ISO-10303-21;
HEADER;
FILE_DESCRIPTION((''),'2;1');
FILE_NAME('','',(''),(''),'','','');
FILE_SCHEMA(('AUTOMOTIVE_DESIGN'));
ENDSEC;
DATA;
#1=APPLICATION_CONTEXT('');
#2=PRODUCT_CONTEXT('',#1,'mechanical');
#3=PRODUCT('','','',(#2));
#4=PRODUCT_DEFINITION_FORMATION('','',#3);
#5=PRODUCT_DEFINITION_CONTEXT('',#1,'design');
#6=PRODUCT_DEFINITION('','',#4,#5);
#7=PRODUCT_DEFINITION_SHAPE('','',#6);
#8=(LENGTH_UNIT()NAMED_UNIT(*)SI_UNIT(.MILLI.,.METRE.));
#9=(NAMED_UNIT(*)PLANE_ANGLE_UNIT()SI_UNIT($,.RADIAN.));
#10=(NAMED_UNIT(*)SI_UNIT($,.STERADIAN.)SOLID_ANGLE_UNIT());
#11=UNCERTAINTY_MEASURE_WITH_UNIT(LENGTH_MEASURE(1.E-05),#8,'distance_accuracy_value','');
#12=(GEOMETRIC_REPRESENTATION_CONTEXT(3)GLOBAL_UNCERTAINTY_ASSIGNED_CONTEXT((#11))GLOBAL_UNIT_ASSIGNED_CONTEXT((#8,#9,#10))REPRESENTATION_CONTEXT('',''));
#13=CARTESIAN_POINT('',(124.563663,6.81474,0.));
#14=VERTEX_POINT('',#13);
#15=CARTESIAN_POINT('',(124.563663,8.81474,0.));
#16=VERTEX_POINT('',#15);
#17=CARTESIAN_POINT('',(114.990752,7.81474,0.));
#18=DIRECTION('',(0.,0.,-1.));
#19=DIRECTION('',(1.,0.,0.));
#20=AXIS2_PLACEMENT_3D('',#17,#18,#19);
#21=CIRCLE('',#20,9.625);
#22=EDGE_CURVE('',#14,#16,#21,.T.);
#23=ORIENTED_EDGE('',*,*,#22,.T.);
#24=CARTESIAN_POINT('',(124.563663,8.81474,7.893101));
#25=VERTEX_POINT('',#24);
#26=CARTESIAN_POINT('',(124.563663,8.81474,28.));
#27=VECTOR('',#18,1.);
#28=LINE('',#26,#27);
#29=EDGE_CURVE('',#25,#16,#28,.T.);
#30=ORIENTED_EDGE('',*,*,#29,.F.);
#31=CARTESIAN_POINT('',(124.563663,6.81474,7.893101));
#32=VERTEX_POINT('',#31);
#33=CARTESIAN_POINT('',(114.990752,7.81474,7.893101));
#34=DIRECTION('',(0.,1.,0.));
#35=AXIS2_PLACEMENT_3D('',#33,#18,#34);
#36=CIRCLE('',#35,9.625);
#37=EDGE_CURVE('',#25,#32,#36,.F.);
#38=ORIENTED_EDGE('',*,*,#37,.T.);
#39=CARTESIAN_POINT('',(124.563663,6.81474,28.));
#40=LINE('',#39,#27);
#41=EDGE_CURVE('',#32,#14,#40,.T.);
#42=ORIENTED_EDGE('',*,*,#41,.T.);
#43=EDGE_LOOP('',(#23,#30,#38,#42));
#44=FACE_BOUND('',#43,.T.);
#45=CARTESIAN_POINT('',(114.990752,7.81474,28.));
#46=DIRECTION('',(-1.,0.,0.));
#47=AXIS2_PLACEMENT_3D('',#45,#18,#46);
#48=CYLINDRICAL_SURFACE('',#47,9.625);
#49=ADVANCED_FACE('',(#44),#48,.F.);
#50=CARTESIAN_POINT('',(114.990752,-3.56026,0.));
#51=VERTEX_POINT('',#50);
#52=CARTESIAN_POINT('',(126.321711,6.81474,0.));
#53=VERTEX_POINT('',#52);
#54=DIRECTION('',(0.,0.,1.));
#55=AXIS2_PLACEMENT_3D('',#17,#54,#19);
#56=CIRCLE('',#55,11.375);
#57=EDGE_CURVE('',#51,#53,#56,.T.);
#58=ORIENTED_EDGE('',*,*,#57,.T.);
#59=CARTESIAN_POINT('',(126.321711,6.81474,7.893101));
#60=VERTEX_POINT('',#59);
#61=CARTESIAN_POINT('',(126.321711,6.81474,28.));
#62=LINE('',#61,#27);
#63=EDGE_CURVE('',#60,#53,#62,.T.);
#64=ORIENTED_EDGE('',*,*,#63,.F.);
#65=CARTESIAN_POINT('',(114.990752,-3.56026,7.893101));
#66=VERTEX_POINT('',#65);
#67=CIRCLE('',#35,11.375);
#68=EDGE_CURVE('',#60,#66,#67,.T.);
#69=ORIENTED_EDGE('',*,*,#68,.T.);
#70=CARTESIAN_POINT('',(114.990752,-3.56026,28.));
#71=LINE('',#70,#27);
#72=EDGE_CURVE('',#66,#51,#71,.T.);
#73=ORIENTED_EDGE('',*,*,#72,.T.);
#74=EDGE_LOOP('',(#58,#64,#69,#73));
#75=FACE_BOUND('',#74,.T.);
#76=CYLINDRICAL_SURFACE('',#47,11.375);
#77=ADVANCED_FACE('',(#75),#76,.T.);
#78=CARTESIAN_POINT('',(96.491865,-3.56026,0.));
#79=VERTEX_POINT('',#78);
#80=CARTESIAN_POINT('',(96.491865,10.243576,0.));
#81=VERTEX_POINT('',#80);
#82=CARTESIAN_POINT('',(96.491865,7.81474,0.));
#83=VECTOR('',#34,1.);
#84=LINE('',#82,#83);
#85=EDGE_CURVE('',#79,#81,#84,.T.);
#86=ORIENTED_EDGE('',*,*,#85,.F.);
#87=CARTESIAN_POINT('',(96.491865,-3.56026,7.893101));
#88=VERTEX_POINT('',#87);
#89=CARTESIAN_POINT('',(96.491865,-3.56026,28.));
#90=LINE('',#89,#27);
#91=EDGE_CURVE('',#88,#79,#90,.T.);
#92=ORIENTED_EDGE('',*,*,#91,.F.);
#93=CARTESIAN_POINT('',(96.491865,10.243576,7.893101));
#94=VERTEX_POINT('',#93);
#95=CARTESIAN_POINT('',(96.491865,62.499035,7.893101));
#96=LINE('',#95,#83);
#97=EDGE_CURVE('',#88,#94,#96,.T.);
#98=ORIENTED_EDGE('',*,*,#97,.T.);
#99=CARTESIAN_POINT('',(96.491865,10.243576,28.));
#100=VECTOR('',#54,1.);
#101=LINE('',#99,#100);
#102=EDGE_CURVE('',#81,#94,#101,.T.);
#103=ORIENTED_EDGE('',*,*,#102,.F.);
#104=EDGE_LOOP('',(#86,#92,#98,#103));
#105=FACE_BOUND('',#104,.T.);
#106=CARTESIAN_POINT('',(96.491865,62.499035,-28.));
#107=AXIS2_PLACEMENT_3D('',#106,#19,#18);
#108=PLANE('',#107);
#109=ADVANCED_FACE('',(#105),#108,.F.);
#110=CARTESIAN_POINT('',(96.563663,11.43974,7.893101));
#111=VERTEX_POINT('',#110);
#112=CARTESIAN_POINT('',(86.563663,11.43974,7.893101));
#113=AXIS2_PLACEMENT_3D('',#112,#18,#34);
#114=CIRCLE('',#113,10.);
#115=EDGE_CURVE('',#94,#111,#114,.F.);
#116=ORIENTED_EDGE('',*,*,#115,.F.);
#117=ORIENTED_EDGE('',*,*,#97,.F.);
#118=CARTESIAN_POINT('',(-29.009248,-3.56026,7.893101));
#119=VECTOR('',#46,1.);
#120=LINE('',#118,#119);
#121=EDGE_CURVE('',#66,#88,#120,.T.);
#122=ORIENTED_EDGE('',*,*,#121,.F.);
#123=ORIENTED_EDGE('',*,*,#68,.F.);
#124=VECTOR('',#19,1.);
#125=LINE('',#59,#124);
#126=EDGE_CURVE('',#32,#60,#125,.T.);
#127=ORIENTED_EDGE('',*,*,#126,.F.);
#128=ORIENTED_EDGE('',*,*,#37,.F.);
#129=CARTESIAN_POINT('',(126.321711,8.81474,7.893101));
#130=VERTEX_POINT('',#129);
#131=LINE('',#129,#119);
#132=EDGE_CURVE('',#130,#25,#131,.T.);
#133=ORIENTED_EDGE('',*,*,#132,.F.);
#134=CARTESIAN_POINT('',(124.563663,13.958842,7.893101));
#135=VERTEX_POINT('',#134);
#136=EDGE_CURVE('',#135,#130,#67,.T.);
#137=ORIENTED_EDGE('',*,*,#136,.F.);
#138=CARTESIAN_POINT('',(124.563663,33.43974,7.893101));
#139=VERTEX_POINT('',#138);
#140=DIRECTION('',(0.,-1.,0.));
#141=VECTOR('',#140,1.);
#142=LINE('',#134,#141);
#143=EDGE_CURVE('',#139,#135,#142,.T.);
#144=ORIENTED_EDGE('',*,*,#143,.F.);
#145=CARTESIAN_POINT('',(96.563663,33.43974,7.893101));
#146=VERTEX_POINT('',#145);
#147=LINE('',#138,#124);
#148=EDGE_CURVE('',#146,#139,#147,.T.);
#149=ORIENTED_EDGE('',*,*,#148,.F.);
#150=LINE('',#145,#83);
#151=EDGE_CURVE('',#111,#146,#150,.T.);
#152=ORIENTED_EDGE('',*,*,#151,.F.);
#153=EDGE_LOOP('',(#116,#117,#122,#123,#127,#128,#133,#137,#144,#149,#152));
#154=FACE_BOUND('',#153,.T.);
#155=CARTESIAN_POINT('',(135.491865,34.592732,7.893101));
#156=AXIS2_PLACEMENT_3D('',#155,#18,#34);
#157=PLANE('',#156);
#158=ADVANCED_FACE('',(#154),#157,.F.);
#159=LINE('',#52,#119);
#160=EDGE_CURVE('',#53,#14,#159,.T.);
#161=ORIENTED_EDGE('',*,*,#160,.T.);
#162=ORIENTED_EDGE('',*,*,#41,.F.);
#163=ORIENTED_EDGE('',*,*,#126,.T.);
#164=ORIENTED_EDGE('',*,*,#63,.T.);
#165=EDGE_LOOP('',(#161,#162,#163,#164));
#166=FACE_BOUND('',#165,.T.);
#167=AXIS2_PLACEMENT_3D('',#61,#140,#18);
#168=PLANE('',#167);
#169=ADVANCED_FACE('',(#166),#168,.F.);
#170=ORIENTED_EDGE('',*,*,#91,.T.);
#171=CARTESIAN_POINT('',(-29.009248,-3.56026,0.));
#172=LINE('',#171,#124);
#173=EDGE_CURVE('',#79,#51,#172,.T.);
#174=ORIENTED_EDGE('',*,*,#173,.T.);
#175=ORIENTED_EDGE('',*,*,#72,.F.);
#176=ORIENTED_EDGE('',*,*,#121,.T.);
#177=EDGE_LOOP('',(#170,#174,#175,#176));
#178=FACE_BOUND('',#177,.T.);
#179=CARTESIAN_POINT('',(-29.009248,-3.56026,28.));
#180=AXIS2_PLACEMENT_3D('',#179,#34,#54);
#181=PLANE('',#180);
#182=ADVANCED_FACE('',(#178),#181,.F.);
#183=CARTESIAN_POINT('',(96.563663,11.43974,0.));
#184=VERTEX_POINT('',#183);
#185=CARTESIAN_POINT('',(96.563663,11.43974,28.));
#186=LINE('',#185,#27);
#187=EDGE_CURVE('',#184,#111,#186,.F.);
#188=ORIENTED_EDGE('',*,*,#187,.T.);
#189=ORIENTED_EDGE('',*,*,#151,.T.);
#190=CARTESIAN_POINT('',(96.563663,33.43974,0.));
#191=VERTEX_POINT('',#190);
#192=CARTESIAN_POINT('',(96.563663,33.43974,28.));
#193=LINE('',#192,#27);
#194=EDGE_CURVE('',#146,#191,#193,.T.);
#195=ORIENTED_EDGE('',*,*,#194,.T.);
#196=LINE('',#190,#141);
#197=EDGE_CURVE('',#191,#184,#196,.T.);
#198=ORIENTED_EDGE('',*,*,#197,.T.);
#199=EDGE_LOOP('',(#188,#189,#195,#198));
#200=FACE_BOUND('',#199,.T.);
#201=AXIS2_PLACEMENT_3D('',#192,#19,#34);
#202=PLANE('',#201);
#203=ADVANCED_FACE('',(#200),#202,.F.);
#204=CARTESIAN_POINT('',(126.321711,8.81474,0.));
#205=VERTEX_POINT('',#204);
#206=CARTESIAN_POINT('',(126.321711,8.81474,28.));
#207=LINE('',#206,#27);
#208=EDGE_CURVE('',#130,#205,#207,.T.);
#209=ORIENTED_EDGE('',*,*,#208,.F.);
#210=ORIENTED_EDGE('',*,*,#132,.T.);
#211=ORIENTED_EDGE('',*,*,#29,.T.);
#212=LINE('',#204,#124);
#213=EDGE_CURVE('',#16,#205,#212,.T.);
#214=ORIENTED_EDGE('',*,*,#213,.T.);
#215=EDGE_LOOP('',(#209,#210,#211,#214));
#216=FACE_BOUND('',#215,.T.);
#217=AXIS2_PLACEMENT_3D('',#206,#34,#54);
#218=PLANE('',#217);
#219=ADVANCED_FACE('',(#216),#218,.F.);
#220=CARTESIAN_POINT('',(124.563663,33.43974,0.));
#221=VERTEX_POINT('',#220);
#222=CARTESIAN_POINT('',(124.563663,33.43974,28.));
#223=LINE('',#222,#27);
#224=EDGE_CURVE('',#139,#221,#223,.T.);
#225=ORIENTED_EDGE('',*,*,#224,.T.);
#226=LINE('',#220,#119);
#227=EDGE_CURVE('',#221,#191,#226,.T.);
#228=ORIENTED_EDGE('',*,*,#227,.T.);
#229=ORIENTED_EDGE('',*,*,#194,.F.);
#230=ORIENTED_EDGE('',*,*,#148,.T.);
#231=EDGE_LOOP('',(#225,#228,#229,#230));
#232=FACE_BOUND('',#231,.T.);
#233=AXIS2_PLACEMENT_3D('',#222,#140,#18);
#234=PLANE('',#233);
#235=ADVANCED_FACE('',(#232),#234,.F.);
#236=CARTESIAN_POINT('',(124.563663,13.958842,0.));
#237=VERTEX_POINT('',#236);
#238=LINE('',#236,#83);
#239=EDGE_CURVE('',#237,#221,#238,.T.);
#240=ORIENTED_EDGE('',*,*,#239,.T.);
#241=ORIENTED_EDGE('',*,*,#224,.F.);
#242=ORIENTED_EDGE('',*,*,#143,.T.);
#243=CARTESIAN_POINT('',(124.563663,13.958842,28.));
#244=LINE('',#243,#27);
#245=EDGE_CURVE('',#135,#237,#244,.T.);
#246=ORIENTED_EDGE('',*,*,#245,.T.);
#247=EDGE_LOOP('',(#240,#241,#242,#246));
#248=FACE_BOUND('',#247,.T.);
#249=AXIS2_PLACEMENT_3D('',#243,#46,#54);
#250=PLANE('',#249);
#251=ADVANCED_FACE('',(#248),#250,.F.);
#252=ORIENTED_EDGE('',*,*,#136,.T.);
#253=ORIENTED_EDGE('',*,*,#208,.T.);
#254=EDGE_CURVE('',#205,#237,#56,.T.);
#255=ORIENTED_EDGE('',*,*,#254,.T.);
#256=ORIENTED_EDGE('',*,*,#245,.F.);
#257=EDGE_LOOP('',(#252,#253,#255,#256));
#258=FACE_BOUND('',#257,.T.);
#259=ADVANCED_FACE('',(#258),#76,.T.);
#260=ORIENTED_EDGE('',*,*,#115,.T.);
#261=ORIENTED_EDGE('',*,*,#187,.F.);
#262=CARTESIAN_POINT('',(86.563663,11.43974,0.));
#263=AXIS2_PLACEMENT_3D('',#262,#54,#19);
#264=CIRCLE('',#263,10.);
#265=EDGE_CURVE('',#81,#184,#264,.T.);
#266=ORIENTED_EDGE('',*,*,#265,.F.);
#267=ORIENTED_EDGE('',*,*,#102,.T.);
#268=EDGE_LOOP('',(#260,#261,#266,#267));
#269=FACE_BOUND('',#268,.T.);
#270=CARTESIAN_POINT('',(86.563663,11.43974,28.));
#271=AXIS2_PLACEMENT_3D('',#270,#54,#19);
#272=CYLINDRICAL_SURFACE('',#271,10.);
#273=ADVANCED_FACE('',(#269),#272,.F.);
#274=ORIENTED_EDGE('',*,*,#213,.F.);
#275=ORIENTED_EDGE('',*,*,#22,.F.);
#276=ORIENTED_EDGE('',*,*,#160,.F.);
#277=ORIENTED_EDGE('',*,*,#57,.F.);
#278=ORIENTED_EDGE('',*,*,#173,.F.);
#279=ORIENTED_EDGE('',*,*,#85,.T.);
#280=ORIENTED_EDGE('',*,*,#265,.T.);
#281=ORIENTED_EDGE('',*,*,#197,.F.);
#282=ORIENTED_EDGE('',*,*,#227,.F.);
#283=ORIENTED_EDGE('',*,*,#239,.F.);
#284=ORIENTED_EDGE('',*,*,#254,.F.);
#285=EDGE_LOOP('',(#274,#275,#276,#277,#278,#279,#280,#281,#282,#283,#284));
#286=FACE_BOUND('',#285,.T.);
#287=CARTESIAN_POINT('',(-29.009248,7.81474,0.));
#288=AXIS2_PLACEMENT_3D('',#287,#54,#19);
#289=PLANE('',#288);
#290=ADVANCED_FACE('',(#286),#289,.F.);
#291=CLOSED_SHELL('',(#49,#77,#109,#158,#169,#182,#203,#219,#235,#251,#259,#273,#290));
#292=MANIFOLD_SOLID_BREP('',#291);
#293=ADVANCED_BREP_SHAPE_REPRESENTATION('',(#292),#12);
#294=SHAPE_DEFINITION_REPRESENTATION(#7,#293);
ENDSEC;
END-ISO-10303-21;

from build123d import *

# Parameters (mm, degrees)
BOSS_EXTRUDE3_DEPTH = 28
FILLET1_R           = 10
SKETCH8_R           = 9.5
SKETCH8_W           = 8
SKETCH8_H           = 5
CUT_EXTRUDE4_DEPTH  = 5
SKETCH10_R          = 1.75
CUT_EXTRUDE6_DEPTH  = 10
CUT_EXTRUDE9_DEPTH  = 5
SKETCH11_W          = 178.461857567
SKETCH11_H          = 75.855450753
CUT_EXTRUDE7_DEPTH  = 56
SKETCH15_W          = 24.76037583
SKETCH15_H          = 40.698494869
CUT_EXTRUDE10_DEPTH = 39


with BuildPart() as part:
    # Sketch7 → Boss-Extrude3 (new body)
    with BuildSketch(Plane.XY):
        with BuildLine():
            Line((-29.009247715, -3.56026037), (114.990752285, -3.56026037))
            ThreePointArc((114.990752285, -3.56026037), (122.672406567, -0.574706865), (126.321710983, 6.81473963))
            Line((126.321710983, 6.81473963), (124.563663285, 6.81473963))
            ThreePointArc((124.563663285, 6.81473963), (105.365752285, 7.81473963), (124.563663285, 8.81473963))
            Line((124.563663285, 8.81473963), (126.321710983, 8.81473963))
            ThreePointArc((126.321710983, 8.81473963), (125.754505842, 11.49335817), (124.563663285, 13.958842494))
            Line((124.563663285, 13.958842494), (124.563663285, 33.43973963))
            Line((124.563663285, 33.43973963), (96.563663285, 33.43973963))
            Line((96.563663285, 33.43973963), (96.563663285, 1.43973963))
            Line((96.563663285, 1.43973963), (-10.582158714, 1.43973963))
            Line((-10.582158714, 1.43973963), (-10.582158714, 33.43973963))
            Line((-10.582158714, 33.43973963), (-38.582158714, 33.43973963))
            Line((-38.582158714, 33.43973963), (-38.582158714, 13.958842494))
            ThreePointArc((-38.582158714, 13.958842494), (-39.773001272, 11.49335817), (-40.340206412, 8.81473963))
            Line((-40.340206412, 8.81473963), (-38.582158714, 8.81473963))
            ThreePointArc((-38.582158714, 8.81473963), (-19.384247715, 7.81473963), (-38.582158714, 6.81473963))
            Line((-38.582158714, 6.81473963), (-40.340206412, 6.81473963))
            ThreePointArc((-40.340206412, 6.81473963), (-36.690901996, -0.574706865), (-29.009247715, -3.56026037))
        make_face()
    extrude(amount=BOSS_EXTRUDE3_DEPTH)

    # Fillet1
    fillet1_edges = [part.edges().sort_by_distance(p)[0] for p in [
        (-10.582158714, 1.43973963, 14),
        (96.563663285, 1.43973963, 14),
    ]]
    fillet(fillet1_edges, radius=FILLET1_R)

    # Sketch8 → Cut-Extrude4 (cut)
    with BuildSketch(Plane(origin=(0, 1.43973963, 0), x_dir=(1, 0, 0), z_dir=(0, 1, 0))):
        with Locations(Location((63.990752285, -14, 0), (0, 0, 270))):
            Circle(SKETCH8_R)
        with Locations(Location((21.990752285, -14, 0), (0, 0, 270))):
            Circle(SKETCH8_R)
        with Locations((42.990752285, -14)):
            Rectangle(SKETCH8_W, SKETCH8_H)
    extrude(amount=-CUT_EXTRUDE4_DEPTH, mode=Mode.SUBTRACT)

    # Sketch10 → Cut-Extrude6 (cut)
    with BuildSketch(Plane(origin=(0, 33.43973963, 0), x_dir=(1, 0, 0), z_dir=(0, 1, 0))):
        with Locations(Location((110.490752285, -14, 0), (0, 0, 180))):
            Circle(SKETCH10_R)
        with Locations(Location((-24.509247715, -14, 0), (0, 0, 180))):
            Circle(SKETCH10_R)
    extrude(amount=-CUT_EXTRUDE6_DEPTH, mode=Mode.SUBTRACT)

    # Sketch13 → Cut-Extrude9 (cut)
    with BuildSketch(Plane(origin=(0, 33.43973963, 0), x_dir=(1, 0, 0), z_dir=(0, 1, 0))):
        Polygon((108.61436391, -17.25), (112.36714066, -17.25), (114.243529035, -14), (112.36714066, -10.75), (108.61436391, -10.75), (106.737975536, -14), align=None)
        Polygon((-20.756470965, -14), (-22.63285934, -10.75), (-26.38563609, -10.75), (-28.262024464, -14), (-26.38563609, -17.25), (-22.63285934, -17.25), align=None)
    extrude(amount=-CUT_EXTRUDE9_DEPTH, mode=Mode.SUBTRACT)

    # Sketch11 → Cut-Extrude7 (cut)
    with BuildSketch(Plane.XY.offset(28)):
        with Locations((7.260936379, 24.571309344)):
            Rectangle(SKETCH11_W, SKETCH11_H)
    extrude(amount=-CUT_EXTRUDE7_DEPTH, mode=Mode.SUBTRACT)

    # Sketch15 → Cut-Extrude10 (cut)
    with BuildSketch(Plane.ZY.offset(-96.491865162)):
        with Locations((20.2732889, 14.243484204)):
            Rectangle(SKETCH15_W, SKETCH15_H)
    extrude(amount=-CUT_EXTRUDE10_DEPTH, mode=Mode.SUBTRACT)


solid = part.part
